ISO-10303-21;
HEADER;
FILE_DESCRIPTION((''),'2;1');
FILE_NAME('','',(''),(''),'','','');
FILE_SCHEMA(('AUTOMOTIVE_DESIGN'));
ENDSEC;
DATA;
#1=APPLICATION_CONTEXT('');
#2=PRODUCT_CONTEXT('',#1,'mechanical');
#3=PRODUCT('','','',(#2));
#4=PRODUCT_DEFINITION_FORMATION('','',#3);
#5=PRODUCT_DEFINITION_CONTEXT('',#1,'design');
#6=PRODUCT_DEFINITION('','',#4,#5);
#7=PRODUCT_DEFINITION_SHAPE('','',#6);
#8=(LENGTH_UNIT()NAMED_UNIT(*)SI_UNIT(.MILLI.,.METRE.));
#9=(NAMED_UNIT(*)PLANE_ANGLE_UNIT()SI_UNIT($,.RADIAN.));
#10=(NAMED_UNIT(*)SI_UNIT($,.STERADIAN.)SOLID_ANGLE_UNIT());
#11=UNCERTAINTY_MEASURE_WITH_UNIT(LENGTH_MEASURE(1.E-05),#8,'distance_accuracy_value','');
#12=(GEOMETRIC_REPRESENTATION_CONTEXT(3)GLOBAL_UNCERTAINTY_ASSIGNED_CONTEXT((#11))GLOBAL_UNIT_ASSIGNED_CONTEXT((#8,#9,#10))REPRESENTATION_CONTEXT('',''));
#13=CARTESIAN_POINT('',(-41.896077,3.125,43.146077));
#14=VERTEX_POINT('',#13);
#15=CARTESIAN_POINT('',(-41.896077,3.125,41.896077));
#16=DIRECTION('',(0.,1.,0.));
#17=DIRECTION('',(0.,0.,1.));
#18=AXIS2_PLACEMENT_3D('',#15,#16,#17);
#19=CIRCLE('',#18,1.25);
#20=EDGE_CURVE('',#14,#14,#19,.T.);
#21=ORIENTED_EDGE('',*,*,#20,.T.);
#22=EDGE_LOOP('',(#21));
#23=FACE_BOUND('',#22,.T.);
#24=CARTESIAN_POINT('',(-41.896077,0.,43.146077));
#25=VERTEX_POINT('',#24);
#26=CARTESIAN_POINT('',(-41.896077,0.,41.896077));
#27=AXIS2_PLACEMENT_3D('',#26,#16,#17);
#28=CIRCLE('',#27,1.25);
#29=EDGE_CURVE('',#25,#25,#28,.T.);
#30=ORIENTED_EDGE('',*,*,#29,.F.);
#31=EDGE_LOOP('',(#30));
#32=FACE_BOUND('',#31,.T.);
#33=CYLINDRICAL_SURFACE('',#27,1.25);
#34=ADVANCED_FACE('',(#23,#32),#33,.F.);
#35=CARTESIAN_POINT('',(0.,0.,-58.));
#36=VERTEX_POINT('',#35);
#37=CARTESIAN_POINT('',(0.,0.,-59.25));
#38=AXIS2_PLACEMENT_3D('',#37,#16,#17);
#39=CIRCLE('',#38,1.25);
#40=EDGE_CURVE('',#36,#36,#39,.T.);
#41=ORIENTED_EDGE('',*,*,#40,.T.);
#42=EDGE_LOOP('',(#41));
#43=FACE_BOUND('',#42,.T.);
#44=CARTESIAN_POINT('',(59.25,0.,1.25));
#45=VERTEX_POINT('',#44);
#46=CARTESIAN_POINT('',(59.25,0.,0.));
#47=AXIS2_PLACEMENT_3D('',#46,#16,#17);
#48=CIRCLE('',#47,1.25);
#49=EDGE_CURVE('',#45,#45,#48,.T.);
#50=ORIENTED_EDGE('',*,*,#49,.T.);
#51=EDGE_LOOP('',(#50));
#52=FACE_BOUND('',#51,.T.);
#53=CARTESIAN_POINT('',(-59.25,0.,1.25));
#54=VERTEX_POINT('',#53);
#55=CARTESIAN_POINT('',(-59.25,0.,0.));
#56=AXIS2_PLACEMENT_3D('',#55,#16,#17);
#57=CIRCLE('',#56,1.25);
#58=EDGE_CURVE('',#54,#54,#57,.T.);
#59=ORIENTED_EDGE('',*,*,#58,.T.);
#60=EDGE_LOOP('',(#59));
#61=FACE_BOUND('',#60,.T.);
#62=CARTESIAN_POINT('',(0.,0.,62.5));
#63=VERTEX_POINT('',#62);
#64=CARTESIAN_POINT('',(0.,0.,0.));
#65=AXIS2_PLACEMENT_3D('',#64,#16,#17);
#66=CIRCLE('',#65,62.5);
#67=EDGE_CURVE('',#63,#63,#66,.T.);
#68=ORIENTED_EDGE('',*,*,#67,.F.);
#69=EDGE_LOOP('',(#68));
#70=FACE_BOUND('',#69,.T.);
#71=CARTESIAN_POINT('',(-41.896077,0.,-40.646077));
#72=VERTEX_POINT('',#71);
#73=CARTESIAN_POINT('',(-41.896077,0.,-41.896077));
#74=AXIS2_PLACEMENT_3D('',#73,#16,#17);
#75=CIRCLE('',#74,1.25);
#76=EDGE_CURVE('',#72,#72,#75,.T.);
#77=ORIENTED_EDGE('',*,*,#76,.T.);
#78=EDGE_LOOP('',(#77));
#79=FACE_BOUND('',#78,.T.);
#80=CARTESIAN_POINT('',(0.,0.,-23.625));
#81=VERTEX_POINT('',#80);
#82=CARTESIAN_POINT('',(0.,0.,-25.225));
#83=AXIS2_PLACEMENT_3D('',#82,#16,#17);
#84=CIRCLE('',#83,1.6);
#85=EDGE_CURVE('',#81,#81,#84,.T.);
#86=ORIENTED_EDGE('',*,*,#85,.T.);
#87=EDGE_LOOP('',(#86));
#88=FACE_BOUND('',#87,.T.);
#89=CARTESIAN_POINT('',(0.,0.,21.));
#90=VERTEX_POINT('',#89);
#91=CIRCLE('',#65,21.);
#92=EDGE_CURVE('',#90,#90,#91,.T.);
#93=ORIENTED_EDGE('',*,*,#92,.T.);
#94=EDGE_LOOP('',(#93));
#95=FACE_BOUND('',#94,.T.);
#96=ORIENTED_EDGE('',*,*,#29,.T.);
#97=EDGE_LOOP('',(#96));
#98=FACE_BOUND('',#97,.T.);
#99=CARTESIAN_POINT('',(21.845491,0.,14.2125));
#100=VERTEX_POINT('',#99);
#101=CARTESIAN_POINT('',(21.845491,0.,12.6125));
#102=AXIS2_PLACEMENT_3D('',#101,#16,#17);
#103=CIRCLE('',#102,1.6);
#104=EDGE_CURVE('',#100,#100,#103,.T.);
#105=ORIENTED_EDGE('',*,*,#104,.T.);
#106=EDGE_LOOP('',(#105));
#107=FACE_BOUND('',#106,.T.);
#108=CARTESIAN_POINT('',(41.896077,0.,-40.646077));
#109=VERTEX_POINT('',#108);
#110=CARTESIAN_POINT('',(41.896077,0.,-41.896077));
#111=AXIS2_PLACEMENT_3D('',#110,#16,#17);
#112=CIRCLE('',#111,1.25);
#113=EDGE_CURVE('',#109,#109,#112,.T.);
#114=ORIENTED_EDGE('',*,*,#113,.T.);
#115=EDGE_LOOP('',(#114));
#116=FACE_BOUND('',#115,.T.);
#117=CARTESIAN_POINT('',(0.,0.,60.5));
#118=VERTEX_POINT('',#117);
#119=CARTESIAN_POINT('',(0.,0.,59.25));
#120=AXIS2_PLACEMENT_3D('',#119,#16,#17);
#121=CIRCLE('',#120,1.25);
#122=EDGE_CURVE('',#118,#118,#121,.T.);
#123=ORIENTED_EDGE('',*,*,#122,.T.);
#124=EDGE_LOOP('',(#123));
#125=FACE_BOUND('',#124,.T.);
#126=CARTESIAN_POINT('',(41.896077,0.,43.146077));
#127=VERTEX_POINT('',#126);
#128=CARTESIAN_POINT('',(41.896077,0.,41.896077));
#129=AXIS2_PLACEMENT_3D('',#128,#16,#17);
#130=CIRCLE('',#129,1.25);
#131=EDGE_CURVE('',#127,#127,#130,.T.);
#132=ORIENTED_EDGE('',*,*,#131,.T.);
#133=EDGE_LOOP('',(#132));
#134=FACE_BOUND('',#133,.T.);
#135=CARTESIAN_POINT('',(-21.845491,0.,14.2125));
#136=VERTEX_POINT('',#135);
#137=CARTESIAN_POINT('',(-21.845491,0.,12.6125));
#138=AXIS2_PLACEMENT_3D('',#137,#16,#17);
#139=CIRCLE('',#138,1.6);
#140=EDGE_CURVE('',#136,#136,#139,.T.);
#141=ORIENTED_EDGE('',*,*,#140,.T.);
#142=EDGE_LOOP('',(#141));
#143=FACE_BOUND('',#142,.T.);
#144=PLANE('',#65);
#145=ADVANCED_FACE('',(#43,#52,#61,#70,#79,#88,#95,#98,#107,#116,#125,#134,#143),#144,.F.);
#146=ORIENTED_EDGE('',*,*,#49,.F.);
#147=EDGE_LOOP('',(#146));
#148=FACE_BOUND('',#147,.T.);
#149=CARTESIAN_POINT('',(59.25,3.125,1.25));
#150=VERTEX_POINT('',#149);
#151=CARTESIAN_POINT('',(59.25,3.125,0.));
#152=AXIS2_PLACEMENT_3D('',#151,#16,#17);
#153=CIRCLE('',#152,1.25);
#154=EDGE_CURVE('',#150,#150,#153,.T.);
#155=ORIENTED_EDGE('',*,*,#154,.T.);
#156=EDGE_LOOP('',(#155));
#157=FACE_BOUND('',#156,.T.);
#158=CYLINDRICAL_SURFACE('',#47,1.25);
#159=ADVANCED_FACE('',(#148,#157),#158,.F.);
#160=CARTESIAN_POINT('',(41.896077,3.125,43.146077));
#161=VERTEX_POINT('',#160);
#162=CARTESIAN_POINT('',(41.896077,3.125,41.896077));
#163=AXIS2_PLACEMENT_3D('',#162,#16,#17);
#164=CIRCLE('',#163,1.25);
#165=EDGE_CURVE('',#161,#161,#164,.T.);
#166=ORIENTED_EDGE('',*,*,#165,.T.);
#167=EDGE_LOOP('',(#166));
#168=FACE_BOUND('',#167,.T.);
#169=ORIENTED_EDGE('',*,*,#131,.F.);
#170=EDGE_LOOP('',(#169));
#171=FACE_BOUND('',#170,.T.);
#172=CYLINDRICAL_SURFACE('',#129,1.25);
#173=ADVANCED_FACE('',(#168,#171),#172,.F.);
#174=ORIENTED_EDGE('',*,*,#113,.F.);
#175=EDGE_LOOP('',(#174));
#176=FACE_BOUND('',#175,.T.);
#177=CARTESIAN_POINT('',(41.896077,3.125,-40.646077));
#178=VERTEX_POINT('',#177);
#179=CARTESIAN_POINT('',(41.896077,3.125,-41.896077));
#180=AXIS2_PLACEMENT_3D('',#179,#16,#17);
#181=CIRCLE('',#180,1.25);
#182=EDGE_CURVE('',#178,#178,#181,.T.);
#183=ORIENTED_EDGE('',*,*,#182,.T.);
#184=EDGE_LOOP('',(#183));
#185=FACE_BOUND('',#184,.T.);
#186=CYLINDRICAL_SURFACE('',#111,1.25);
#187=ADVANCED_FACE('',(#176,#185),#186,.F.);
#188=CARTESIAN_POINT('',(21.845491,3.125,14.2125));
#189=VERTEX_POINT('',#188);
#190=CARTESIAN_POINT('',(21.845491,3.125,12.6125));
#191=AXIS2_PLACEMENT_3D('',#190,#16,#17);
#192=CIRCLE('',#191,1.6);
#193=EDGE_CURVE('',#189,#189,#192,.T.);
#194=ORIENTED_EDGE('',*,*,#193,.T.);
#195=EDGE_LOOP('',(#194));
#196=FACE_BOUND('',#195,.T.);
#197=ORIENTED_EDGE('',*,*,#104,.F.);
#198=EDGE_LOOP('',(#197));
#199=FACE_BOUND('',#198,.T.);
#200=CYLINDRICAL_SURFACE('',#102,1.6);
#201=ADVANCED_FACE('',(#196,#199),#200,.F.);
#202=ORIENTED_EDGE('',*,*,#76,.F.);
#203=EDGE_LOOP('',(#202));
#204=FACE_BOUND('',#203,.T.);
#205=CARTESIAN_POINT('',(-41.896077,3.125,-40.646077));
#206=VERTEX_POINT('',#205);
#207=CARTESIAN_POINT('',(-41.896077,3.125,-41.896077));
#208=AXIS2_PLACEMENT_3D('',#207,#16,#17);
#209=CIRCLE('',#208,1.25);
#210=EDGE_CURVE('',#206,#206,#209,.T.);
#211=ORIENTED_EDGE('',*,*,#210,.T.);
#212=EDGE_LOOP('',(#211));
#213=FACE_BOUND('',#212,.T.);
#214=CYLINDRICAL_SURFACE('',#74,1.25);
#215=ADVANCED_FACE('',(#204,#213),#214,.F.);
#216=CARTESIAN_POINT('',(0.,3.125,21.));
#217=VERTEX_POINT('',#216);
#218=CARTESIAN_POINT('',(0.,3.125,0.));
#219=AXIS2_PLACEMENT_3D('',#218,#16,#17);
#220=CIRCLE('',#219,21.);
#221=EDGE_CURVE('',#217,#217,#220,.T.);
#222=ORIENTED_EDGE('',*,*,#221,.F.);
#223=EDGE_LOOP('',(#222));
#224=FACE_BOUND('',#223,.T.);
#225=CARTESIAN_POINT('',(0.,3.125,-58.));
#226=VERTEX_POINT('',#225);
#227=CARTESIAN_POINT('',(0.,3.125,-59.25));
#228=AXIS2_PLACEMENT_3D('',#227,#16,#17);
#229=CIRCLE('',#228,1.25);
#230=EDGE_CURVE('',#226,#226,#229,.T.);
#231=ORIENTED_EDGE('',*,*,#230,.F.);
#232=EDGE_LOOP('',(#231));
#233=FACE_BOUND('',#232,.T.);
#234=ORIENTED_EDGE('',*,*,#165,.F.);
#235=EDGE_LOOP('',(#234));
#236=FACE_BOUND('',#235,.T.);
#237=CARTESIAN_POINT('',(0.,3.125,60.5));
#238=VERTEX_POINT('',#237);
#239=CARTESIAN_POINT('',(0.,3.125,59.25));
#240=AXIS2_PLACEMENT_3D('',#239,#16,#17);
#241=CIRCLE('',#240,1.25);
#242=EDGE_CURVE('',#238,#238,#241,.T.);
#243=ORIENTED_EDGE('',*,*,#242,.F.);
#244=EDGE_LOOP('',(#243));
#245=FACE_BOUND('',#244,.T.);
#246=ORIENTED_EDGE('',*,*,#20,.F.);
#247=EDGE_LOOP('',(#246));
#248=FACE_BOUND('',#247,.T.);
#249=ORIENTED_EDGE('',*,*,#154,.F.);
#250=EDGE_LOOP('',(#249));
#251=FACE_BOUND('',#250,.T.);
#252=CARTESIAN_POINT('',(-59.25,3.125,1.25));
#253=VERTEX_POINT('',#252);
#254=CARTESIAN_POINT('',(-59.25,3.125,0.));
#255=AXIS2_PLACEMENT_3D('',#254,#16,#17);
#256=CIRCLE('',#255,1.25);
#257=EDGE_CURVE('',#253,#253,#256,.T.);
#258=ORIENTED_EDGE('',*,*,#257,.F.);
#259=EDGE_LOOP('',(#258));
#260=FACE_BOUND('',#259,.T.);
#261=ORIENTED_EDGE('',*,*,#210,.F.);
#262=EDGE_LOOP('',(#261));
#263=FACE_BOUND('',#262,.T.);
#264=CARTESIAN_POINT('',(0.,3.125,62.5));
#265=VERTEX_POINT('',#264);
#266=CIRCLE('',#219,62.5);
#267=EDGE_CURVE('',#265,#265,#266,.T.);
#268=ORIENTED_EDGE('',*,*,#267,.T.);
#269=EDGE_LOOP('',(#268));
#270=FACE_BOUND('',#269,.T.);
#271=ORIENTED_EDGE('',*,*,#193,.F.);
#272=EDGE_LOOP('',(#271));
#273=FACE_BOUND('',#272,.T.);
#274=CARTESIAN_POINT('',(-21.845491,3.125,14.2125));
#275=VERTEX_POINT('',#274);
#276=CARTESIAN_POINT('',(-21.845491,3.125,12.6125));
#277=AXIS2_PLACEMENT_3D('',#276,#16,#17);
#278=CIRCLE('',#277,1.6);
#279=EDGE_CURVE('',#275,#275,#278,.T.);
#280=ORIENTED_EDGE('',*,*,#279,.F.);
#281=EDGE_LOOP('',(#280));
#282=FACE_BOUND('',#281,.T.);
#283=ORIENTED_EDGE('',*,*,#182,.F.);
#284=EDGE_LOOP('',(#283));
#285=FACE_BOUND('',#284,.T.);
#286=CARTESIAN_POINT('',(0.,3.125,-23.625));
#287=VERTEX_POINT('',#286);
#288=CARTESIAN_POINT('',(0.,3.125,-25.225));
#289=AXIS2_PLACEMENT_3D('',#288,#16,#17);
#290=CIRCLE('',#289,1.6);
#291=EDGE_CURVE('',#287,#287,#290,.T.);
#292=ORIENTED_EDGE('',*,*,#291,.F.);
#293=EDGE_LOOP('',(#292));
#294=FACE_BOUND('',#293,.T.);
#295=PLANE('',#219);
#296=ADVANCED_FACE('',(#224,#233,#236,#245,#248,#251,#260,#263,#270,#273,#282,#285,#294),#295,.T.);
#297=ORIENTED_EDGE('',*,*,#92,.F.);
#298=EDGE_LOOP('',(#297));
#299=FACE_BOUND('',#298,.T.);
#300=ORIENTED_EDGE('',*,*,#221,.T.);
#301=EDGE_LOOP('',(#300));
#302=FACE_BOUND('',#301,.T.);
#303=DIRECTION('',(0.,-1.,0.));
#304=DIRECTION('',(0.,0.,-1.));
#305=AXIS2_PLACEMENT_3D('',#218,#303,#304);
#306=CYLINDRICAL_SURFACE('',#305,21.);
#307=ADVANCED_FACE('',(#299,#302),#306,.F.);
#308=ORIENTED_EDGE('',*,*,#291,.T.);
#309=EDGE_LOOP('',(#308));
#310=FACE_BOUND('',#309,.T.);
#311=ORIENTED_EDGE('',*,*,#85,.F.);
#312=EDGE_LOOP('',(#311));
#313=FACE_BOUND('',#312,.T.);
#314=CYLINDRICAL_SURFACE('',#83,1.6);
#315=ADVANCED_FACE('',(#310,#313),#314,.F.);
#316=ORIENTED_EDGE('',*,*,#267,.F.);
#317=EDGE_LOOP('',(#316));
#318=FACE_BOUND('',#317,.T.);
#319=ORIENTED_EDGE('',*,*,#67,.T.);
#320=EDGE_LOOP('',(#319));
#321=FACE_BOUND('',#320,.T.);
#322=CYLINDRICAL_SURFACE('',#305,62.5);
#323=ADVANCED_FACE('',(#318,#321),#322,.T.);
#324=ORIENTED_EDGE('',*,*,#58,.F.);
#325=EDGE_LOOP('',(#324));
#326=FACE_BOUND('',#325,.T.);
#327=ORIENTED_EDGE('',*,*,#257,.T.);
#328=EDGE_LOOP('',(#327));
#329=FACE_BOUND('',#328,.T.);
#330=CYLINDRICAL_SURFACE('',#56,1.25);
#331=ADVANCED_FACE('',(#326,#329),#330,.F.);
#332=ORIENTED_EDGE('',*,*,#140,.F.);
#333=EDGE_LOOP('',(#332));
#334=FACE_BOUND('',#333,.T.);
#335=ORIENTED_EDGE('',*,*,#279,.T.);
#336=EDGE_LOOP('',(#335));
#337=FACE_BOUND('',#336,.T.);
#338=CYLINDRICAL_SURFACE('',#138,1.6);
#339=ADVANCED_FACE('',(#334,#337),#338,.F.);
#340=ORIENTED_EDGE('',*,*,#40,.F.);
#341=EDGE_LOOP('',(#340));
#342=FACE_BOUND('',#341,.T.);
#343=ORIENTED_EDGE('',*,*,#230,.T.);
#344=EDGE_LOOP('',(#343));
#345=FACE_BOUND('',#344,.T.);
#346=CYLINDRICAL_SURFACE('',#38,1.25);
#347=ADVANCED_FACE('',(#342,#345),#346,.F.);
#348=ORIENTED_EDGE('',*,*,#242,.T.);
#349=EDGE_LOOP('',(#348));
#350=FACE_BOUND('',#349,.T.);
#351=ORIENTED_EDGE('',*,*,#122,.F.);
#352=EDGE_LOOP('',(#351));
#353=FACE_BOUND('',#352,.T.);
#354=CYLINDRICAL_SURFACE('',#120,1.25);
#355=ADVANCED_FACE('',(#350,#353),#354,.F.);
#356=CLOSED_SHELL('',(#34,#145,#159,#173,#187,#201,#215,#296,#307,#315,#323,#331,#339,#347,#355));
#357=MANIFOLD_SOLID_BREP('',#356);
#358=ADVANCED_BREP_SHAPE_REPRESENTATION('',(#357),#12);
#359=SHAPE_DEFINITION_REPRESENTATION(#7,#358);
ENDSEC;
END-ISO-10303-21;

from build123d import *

# Parameters (mm, degrees)
SKETCH1_R           = 62.5
SKETCH1_R_2         = 21
BOSS_EXTRUDE1_DEPTH = 3.125
SKETCH2_R           = 1.6
CUT_EXTRUDE1_DEPTH  = 89.443573113
SKETCH6_R           = 1.25
CUT_EXTRUDE3_DEPTH  = 89.443573113


with BuildPart() as part:
    # Sketch1 → Boss-Extrude1 (new body)
    with BuildSketch(Plane(origin=(0, 0, 0), x_dir=(1, 0, 0), z_dir=(0, 1, 0))):
        with Locations(Location((0, 0, 0), (0, 0, 270))):
            Circle(SKETCH1_R)
        with Locations(Location((0, 0, 0), (0, 0, 270))):
            Circle(SKETCH1_R_2, mode=Mode.SUBTRACT)
    extrude(amount=BOSS_EXTRUDE1_DEPTH)

    # Sketch2 → Cut-Extrude1 (cut, through all)
    with BuildSketch(Plane(origin=(0, 3.125, 0), x_dir=(1, 0, 0), z_dir=(0, 1, 0))):
        with Locations(Location((0, 25.225, 0), (0, 0, 270))):
            Circle(SKETCH2_R)
        with Locations(Location((21.84549081, -12.6125, 0), (0, 0, 270))):
            Circle(SKETCH2_R)
        with Locations(Location((-21.84549081, -12.6125, 0), (0, 0, 270))):
            Circle(SKETCH2_R)
    extrude(amount=-CUT_EXTRUDE1_DEPTH, mode=Mode.SUBTRACT)

    # Sketch6 → Cut-Extrude3 (cut, through all)
    with BuildSketch(Plane(origin=(0, 3.125, 0), x_dir=(1, 0, 0), z_dir=(0, 1, 0))):
        with Locations(Location((-41.896076785, 41.896076785, 0), (0, 0, 270))):
            Circle(SKETCH6_R)
        with Locations(Location((41.896076785, 41.896076785, 0), (0, 0, 270))):
            Circle(SKETCH6_R)
        with Locations(Location((-41.896076785, -41.896076785, 0), (0, 0, 270))):
            Circle(SKETCH6_R)
        with Locations(Location((41.896076785, -41.896076785, 0), (0, 0, 270))):
            Circle(SKETCH6_R)
        with Locations(Location((-59.25, 0, 0), (0, 0, 270))):
            Circle(SKETCH6_R)
        with Locations(Location((59.25, 0, 0), (0, 0, 270))):
            Circle(SKETCH6_R)
        with Locations(Location((0, 59.25, 0), (0, 0, 270))):
            Circle(SKETCH6_R)
        with Locations(Location((0, -59.25, 0), (0, 0, 270))):
            Circle(SKETCH6_R)
    extrude(amount=-CUT_EXTRUDE3_DEPTH, mode=Mode.SUBTRACT)


solid = part.part
